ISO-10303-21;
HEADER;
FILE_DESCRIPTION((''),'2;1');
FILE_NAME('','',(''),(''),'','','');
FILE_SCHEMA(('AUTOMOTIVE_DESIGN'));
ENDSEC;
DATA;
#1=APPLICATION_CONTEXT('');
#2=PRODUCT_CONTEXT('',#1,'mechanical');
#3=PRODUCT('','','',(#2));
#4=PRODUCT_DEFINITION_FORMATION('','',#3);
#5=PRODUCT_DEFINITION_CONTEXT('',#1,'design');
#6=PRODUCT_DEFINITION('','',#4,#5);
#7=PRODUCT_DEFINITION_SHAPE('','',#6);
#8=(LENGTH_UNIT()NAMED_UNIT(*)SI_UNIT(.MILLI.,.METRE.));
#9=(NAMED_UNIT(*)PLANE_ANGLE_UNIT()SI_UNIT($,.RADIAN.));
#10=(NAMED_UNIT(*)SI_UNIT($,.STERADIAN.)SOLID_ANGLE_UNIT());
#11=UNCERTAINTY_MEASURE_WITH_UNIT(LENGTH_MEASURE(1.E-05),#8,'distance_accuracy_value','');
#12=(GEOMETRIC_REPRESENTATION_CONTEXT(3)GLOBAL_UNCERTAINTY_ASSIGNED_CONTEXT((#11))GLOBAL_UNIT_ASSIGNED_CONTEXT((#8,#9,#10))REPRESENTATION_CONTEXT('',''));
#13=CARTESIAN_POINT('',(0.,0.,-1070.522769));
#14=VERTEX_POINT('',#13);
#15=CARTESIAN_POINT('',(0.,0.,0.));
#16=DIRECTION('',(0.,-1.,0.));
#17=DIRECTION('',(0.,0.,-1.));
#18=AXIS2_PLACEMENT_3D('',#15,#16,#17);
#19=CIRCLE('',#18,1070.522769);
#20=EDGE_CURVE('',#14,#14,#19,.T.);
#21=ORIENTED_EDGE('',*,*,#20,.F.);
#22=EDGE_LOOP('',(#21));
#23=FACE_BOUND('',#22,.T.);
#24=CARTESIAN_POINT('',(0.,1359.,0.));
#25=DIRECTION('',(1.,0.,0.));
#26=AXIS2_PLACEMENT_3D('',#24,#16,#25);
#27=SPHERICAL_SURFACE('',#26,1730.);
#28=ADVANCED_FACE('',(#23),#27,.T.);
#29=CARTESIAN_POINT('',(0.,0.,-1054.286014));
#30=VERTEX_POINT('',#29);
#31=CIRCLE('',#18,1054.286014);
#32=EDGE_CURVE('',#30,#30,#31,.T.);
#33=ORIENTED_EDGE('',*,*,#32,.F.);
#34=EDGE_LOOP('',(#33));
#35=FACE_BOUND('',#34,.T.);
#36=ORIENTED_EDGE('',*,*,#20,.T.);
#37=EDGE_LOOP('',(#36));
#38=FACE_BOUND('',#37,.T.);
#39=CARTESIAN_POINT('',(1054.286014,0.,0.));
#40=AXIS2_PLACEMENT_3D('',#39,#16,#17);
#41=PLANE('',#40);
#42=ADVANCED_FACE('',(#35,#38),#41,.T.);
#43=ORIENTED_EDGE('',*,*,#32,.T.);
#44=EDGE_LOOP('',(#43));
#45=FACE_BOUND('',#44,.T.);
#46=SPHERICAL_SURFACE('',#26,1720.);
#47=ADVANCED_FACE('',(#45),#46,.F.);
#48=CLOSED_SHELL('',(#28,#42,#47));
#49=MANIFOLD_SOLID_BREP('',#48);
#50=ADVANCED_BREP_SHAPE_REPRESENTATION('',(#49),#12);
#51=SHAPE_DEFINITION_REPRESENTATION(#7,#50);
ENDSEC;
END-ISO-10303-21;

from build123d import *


with BuildPart() as part:
    # Esboço1 → Revolução1 (revolve)
    with BuildSketch(Plane.XY):
        with BuildLine():
            Line((1054.286014324, 0), (1070.522769492, 0))
            ThreePointArc((1070.522769492, 0), (1634.620751122, 1925.493601023), (0, 3089))
            Line((0, 3089), (0, 3079))
            ThreePointArc((0, 3079), (1627.249212628, 1916.189375347), (1054.286014324, 0))
        make_face()
    revolve(axis=Axis((0, 0, 0), (0, 1, 0)))


solid = part.part
